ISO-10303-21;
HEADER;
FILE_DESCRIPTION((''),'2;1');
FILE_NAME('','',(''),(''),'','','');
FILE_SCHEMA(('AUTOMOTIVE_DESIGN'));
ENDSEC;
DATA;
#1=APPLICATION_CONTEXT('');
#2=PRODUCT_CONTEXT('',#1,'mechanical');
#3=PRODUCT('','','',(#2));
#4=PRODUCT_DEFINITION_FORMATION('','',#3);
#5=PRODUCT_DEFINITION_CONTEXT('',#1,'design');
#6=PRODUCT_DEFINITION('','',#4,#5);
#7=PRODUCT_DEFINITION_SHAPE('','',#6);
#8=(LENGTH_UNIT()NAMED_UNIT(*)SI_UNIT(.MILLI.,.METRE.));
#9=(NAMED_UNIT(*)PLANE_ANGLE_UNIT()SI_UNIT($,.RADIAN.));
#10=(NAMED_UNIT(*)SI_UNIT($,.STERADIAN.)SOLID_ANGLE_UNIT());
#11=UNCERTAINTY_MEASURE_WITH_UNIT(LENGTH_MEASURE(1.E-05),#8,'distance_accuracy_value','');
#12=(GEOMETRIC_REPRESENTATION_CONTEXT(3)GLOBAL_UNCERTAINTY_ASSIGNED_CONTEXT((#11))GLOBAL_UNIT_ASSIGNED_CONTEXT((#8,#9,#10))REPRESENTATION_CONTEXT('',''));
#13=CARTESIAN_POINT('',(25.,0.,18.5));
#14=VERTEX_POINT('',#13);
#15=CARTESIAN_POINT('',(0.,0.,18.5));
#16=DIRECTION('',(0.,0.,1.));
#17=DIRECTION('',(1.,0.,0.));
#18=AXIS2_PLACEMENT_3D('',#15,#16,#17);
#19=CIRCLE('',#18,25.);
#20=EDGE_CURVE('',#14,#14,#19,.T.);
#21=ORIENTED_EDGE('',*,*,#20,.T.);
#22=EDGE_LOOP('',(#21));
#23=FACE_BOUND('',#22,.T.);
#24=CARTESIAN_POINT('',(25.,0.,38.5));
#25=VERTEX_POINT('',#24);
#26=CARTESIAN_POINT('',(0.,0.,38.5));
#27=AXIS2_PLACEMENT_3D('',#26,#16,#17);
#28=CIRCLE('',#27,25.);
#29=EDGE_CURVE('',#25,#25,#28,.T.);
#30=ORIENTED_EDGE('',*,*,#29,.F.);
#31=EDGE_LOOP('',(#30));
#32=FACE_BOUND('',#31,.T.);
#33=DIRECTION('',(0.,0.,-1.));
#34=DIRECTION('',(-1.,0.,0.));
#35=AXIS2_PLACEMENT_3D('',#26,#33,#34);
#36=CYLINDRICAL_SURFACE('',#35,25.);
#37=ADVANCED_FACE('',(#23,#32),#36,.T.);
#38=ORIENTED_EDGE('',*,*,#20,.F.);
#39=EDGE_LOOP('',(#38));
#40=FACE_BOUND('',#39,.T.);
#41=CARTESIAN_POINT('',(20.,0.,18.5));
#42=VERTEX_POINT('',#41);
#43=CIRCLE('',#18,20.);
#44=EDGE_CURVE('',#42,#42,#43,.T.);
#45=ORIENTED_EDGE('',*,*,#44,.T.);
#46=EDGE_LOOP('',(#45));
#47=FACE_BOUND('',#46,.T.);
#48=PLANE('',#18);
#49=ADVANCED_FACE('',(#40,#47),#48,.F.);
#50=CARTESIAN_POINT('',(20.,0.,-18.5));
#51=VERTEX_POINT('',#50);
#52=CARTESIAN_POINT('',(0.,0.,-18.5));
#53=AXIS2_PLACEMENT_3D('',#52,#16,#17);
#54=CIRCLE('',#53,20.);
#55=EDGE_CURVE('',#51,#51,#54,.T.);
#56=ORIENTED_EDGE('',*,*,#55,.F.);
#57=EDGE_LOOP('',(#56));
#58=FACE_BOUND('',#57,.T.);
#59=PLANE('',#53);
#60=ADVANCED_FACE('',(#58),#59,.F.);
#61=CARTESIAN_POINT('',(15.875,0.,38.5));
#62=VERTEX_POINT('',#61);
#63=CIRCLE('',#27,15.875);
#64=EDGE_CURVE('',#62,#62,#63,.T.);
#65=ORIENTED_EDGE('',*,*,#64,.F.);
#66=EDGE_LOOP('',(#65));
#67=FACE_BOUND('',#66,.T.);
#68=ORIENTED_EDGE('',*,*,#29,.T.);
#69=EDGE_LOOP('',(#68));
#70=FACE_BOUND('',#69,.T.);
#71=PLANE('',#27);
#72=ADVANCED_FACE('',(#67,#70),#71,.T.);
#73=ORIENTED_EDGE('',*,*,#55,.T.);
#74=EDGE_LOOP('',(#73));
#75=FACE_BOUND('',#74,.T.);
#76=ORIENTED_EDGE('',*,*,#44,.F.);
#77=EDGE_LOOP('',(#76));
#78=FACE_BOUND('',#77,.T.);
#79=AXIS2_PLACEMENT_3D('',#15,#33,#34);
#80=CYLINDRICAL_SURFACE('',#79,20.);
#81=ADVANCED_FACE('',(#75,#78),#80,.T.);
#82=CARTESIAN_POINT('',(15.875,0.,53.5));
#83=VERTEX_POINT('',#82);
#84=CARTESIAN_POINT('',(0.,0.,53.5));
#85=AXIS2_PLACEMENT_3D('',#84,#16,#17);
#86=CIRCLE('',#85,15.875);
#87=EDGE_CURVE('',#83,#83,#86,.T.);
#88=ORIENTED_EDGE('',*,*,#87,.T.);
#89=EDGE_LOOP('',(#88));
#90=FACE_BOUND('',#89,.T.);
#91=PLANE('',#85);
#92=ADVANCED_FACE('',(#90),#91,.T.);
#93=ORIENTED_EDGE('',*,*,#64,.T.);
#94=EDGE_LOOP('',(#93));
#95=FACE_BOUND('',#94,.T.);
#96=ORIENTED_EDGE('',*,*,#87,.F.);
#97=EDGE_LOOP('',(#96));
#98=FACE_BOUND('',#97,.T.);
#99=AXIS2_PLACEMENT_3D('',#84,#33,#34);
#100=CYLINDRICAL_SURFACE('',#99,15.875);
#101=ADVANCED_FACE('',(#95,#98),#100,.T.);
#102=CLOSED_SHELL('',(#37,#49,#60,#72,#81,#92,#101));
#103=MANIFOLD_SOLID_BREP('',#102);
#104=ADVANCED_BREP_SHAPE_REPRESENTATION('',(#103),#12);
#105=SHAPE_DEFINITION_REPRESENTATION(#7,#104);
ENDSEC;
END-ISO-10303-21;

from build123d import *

# Parameters (mm, degrees)
CROQUIS1_R              = 20
SALIENTE_EXTRUIR2_DEPTH = 18.5
CROQUIS3_R              = 25
SALIENTE_EXTRUIR3_DEPTH = 20
CROQUIS4_R              = 15.875
SALIENTE_EXTRUIR4_DEPTH = 15


with BuildPart() as part:
    # Croquis1 → Saliente-Extruir2 (new, symmetric)
    with BuildSketch(Plane.XY):
        Circle(CROQUIS1_R)
    extrude(amount=SALIENTE_EXTRUIR2_DEPTH, both=True)

    # Croquis3 → Saliente-Extruir3 (add)
    with BuildSketch(Plane.XY.offset(18.5)):
        Circle(CROQUIS3_R)
    extrude(amount=SALIENTE_EXTRUIR3_DEPTH)

    # Croquis4 → Saliente-Extruir4 (add)
    with BuildSketch(Plane.XY.offset(38.5)):
        Circle(CROQUIS4_R)
    extrude(amount=SALIENTE_EXTRUIR4_DEPTH)


solid = part.part
